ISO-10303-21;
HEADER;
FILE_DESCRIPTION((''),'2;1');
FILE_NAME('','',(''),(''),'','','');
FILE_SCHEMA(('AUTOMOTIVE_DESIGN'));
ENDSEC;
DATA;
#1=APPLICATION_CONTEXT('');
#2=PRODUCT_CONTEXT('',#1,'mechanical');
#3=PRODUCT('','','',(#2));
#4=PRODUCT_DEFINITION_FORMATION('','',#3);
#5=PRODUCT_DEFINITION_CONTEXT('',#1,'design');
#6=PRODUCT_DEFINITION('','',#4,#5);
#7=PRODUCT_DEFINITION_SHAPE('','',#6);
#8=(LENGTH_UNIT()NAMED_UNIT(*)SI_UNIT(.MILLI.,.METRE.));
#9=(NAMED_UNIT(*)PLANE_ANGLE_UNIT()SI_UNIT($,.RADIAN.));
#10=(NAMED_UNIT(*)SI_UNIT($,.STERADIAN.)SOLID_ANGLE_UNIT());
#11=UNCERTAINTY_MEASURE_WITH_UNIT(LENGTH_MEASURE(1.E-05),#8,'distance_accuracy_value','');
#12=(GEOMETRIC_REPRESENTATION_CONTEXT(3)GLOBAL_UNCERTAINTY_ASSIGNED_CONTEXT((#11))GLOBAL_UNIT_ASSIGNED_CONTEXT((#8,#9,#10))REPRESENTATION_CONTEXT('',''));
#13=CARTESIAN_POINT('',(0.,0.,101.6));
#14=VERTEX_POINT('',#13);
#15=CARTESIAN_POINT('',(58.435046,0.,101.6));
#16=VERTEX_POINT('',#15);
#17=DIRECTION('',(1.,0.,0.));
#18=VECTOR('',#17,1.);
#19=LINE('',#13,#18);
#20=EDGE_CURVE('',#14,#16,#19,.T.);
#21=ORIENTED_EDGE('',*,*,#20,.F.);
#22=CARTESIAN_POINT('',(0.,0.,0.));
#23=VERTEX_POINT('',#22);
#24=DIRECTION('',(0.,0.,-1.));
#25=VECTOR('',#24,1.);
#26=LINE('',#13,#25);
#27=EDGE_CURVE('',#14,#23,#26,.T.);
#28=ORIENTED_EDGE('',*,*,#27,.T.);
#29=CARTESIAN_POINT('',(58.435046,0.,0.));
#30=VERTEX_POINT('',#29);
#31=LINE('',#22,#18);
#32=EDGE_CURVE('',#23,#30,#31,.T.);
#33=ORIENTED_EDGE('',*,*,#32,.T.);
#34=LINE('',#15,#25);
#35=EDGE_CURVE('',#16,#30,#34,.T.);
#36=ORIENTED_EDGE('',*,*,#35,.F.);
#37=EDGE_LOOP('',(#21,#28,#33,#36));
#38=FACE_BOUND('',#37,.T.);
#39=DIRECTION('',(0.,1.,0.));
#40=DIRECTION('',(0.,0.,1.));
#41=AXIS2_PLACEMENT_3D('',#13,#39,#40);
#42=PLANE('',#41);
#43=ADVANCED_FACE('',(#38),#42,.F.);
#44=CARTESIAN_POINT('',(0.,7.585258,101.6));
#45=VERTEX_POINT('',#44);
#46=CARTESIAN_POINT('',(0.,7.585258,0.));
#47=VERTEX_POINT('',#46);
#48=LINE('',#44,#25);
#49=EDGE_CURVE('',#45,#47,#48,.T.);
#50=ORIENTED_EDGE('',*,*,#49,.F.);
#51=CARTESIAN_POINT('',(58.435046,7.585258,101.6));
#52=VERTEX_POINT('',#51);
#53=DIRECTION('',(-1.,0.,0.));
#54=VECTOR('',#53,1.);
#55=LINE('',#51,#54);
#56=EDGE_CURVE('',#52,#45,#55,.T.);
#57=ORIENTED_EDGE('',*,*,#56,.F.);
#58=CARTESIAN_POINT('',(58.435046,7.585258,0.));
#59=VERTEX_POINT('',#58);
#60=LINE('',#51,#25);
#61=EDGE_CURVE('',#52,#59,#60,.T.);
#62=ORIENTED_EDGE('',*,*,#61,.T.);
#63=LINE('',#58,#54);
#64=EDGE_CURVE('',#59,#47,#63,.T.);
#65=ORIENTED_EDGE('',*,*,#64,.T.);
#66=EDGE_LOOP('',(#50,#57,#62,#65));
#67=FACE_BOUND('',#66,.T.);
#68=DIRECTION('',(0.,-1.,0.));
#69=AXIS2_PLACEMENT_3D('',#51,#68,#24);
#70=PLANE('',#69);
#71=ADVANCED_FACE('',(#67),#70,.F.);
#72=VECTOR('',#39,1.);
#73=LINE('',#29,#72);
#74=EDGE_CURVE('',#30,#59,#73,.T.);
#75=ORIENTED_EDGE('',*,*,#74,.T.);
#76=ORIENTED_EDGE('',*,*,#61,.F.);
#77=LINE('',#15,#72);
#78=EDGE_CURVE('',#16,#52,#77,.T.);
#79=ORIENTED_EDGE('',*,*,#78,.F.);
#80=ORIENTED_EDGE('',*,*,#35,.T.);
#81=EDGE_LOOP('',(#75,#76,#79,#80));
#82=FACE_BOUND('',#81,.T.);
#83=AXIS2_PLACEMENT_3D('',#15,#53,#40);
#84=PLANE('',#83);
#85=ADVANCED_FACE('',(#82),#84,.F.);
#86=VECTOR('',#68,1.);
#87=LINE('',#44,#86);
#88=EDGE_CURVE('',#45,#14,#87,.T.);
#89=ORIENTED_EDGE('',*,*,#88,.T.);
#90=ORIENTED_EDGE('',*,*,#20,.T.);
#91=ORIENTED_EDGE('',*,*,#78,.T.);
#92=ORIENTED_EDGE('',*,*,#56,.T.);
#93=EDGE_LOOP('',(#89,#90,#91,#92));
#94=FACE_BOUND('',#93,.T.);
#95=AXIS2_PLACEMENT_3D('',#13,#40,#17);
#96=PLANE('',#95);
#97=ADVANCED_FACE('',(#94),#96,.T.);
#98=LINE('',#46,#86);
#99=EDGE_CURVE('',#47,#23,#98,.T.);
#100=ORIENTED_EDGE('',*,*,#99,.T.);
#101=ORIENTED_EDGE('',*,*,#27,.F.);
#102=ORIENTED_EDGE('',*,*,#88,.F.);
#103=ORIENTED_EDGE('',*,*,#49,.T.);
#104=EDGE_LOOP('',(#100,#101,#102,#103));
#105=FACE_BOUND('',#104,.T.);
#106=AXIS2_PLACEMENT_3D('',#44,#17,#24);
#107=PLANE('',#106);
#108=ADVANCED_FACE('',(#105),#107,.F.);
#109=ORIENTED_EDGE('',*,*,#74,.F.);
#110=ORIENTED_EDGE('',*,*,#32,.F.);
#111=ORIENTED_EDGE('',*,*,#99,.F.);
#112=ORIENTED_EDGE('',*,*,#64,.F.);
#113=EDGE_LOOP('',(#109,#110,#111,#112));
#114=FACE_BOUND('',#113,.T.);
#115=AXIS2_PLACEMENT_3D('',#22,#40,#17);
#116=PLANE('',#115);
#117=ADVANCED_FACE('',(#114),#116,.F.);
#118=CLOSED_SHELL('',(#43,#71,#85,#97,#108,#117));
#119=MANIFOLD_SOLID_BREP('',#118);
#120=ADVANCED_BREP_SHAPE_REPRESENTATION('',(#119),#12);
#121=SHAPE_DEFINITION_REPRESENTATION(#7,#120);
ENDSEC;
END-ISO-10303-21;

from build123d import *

# Parameters (mm, degrees)
SKETCH3_W      = 58.435046082
SKETCH3_H      = 7.585257796
EXTRUDE2_DEPTH = 101.6


with BuildPart() as part:
    # Sketch3 → Extrude2 (new body)
    with BuildSketch(Plane.XY):
        with Locations((29.217523041, 3.792628898)):
            Rectangle(SKETCH3_W, SKETCH3_H)
    extrude(amount=EXTRUDE2_DEPTH)


solid = part.part
